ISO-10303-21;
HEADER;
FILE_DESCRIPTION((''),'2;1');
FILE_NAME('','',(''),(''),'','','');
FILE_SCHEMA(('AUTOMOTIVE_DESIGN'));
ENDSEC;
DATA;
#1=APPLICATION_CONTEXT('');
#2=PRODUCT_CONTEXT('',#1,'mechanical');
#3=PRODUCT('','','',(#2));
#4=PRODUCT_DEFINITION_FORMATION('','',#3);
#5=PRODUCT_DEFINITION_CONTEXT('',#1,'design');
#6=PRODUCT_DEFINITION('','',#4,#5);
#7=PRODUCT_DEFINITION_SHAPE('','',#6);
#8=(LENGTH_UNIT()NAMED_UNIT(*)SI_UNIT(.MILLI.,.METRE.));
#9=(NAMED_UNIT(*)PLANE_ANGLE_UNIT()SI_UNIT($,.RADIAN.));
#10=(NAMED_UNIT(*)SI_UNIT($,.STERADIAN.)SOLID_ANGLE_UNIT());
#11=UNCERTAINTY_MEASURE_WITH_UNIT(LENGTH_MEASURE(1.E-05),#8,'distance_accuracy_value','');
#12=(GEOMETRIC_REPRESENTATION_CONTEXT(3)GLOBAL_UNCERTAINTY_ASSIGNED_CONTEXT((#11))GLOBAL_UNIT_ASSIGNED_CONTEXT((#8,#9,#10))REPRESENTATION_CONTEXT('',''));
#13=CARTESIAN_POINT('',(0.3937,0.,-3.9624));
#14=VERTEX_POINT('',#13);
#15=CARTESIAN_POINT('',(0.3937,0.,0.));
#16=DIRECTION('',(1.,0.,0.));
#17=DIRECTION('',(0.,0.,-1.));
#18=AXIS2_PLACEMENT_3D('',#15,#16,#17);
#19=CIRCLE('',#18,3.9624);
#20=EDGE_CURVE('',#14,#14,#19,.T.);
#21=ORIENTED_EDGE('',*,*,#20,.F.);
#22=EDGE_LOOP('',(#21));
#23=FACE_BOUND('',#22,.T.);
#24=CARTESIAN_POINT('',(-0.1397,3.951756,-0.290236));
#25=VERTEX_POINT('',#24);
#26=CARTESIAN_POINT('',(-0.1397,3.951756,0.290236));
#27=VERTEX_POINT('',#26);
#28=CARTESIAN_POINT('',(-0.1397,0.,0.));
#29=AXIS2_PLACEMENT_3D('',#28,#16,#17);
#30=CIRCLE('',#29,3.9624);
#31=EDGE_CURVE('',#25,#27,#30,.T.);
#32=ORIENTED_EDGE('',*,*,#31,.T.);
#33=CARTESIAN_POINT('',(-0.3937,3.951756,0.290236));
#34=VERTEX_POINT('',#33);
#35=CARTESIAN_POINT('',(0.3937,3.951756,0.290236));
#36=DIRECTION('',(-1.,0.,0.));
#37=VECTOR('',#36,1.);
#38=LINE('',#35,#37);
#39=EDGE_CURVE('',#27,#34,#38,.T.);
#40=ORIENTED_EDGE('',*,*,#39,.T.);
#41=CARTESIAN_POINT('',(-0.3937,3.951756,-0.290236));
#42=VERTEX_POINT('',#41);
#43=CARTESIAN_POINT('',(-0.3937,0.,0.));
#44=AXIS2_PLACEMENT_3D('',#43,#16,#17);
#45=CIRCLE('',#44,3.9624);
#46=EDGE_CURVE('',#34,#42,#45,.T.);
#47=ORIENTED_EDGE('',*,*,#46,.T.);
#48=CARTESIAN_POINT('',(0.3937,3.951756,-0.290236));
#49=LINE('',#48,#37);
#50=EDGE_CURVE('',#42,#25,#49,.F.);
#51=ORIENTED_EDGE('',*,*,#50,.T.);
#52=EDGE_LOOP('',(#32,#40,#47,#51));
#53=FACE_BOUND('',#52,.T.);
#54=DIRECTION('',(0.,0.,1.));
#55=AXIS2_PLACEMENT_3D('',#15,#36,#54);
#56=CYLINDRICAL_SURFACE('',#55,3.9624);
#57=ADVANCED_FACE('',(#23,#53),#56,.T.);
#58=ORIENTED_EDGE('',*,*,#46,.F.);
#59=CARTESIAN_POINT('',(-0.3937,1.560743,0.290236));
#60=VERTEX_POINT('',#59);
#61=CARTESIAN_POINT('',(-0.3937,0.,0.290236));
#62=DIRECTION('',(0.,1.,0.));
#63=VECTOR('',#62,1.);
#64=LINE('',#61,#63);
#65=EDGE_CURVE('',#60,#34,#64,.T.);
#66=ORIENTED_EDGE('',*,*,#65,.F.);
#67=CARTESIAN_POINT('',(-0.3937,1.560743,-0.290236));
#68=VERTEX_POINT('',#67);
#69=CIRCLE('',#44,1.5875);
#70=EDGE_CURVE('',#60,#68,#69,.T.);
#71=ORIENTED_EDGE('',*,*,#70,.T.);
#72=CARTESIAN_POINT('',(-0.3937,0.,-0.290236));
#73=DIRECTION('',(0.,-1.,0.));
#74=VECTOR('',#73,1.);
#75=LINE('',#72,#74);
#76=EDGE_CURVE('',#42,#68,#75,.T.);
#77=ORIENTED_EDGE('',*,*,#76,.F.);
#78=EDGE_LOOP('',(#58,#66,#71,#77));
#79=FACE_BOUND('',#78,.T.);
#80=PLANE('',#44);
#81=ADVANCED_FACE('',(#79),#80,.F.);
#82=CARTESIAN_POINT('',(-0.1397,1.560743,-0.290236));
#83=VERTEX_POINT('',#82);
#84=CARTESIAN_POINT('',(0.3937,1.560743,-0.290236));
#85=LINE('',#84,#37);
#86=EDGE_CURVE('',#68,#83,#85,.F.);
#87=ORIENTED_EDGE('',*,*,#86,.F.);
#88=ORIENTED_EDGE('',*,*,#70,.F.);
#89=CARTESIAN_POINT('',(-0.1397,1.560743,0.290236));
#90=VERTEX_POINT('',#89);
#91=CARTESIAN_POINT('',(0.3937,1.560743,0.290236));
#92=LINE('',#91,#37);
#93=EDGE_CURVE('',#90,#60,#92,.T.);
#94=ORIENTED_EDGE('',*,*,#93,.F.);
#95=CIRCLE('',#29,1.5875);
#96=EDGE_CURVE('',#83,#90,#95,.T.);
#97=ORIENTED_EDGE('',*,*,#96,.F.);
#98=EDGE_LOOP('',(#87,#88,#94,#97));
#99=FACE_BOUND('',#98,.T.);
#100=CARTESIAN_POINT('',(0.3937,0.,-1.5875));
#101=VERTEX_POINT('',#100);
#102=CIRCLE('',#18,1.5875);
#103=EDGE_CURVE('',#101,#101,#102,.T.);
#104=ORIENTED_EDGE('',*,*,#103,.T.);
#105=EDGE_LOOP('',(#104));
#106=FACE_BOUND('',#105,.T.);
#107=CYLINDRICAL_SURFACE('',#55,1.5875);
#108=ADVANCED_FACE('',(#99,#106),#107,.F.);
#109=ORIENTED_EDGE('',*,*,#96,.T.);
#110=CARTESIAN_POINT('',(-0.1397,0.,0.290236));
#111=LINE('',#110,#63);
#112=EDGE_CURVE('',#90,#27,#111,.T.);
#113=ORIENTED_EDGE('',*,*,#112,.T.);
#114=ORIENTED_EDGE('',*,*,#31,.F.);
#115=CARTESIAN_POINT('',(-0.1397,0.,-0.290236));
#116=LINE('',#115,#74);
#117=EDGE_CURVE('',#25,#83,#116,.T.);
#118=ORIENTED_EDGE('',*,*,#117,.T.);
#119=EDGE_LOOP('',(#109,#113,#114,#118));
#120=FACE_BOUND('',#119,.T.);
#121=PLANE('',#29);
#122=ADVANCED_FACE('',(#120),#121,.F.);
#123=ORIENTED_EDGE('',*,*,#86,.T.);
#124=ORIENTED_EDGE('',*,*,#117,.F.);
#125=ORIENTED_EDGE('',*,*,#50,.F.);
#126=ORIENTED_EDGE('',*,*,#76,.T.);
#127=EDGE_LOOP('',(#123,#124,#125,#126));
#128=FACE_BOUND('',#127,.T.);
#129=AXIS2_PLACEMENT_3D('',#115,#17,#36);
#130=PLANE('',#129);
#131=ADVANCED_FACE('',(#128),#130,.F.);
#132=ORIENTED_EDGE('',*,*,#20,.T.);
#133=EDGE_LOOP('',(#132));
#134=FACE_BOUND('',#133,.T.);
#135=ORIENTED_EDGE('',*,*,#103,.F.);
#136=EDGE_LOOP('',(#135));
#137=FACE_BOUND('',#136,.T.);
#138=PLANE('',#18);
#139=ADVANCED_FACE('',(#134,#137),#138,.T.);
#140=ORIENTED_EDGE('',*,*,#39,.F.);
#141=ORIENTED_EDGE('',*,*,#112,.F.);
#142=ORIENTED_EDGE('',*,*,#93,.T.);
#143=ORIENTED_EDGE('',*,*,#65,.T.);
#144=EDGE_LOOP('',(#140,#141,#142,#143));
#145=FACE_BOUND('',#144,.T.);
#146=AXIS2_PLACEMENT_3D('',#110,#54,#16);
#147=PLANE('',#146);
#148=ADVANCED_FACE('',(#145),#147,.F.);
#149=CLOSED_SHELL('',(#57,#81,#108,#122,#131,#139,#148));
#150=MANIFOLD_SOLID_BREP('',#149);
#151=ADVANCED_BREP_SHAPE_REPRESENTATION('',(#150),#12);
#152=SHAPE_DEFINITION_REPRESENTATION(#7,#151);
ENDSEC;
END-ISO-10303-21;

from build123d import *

# Parameters (mm, degrees)
SKETCH1_R           = 3.9624
SKETCH1_R_2         = 1.5875
BOSS_EXTRUDE1_DEPTH = 0.3937
SKETCH5_W           = 0.58047107
SKETCH5_H           = 3.9624
CUT_EXTRUDE1_DEPTH  = 0.254


with BuildPart() as part:
    # Sketch1 → Boss-Extrude1 (new, symmetric)
    with BuildSketch(Plane(origin=(0, 0, 0), x_dir=(0, 0, -1), z_dir=(1, 0, 0))):
        Circle(SKETCH1_R)
        Circle(SKETCH1_R_2, mode=Mode.SUBTRACT)
    extrude(amount=BOSS_EXTRUDE1_DEPTH, both=True)

    # Sketch5 → Cut-Extrude1 (cut)
    with BuildSketch(Plane.ZY.offset(0.3937)):
        with Locations((0, 1.9812)):
            Rectangle(SKETCH5_W, SKETCH5_H)
    extrude(amount=-CUT_EXTRUDE1_DEPTH, mode=Mode.SUBTRACT)


solid = part.part
